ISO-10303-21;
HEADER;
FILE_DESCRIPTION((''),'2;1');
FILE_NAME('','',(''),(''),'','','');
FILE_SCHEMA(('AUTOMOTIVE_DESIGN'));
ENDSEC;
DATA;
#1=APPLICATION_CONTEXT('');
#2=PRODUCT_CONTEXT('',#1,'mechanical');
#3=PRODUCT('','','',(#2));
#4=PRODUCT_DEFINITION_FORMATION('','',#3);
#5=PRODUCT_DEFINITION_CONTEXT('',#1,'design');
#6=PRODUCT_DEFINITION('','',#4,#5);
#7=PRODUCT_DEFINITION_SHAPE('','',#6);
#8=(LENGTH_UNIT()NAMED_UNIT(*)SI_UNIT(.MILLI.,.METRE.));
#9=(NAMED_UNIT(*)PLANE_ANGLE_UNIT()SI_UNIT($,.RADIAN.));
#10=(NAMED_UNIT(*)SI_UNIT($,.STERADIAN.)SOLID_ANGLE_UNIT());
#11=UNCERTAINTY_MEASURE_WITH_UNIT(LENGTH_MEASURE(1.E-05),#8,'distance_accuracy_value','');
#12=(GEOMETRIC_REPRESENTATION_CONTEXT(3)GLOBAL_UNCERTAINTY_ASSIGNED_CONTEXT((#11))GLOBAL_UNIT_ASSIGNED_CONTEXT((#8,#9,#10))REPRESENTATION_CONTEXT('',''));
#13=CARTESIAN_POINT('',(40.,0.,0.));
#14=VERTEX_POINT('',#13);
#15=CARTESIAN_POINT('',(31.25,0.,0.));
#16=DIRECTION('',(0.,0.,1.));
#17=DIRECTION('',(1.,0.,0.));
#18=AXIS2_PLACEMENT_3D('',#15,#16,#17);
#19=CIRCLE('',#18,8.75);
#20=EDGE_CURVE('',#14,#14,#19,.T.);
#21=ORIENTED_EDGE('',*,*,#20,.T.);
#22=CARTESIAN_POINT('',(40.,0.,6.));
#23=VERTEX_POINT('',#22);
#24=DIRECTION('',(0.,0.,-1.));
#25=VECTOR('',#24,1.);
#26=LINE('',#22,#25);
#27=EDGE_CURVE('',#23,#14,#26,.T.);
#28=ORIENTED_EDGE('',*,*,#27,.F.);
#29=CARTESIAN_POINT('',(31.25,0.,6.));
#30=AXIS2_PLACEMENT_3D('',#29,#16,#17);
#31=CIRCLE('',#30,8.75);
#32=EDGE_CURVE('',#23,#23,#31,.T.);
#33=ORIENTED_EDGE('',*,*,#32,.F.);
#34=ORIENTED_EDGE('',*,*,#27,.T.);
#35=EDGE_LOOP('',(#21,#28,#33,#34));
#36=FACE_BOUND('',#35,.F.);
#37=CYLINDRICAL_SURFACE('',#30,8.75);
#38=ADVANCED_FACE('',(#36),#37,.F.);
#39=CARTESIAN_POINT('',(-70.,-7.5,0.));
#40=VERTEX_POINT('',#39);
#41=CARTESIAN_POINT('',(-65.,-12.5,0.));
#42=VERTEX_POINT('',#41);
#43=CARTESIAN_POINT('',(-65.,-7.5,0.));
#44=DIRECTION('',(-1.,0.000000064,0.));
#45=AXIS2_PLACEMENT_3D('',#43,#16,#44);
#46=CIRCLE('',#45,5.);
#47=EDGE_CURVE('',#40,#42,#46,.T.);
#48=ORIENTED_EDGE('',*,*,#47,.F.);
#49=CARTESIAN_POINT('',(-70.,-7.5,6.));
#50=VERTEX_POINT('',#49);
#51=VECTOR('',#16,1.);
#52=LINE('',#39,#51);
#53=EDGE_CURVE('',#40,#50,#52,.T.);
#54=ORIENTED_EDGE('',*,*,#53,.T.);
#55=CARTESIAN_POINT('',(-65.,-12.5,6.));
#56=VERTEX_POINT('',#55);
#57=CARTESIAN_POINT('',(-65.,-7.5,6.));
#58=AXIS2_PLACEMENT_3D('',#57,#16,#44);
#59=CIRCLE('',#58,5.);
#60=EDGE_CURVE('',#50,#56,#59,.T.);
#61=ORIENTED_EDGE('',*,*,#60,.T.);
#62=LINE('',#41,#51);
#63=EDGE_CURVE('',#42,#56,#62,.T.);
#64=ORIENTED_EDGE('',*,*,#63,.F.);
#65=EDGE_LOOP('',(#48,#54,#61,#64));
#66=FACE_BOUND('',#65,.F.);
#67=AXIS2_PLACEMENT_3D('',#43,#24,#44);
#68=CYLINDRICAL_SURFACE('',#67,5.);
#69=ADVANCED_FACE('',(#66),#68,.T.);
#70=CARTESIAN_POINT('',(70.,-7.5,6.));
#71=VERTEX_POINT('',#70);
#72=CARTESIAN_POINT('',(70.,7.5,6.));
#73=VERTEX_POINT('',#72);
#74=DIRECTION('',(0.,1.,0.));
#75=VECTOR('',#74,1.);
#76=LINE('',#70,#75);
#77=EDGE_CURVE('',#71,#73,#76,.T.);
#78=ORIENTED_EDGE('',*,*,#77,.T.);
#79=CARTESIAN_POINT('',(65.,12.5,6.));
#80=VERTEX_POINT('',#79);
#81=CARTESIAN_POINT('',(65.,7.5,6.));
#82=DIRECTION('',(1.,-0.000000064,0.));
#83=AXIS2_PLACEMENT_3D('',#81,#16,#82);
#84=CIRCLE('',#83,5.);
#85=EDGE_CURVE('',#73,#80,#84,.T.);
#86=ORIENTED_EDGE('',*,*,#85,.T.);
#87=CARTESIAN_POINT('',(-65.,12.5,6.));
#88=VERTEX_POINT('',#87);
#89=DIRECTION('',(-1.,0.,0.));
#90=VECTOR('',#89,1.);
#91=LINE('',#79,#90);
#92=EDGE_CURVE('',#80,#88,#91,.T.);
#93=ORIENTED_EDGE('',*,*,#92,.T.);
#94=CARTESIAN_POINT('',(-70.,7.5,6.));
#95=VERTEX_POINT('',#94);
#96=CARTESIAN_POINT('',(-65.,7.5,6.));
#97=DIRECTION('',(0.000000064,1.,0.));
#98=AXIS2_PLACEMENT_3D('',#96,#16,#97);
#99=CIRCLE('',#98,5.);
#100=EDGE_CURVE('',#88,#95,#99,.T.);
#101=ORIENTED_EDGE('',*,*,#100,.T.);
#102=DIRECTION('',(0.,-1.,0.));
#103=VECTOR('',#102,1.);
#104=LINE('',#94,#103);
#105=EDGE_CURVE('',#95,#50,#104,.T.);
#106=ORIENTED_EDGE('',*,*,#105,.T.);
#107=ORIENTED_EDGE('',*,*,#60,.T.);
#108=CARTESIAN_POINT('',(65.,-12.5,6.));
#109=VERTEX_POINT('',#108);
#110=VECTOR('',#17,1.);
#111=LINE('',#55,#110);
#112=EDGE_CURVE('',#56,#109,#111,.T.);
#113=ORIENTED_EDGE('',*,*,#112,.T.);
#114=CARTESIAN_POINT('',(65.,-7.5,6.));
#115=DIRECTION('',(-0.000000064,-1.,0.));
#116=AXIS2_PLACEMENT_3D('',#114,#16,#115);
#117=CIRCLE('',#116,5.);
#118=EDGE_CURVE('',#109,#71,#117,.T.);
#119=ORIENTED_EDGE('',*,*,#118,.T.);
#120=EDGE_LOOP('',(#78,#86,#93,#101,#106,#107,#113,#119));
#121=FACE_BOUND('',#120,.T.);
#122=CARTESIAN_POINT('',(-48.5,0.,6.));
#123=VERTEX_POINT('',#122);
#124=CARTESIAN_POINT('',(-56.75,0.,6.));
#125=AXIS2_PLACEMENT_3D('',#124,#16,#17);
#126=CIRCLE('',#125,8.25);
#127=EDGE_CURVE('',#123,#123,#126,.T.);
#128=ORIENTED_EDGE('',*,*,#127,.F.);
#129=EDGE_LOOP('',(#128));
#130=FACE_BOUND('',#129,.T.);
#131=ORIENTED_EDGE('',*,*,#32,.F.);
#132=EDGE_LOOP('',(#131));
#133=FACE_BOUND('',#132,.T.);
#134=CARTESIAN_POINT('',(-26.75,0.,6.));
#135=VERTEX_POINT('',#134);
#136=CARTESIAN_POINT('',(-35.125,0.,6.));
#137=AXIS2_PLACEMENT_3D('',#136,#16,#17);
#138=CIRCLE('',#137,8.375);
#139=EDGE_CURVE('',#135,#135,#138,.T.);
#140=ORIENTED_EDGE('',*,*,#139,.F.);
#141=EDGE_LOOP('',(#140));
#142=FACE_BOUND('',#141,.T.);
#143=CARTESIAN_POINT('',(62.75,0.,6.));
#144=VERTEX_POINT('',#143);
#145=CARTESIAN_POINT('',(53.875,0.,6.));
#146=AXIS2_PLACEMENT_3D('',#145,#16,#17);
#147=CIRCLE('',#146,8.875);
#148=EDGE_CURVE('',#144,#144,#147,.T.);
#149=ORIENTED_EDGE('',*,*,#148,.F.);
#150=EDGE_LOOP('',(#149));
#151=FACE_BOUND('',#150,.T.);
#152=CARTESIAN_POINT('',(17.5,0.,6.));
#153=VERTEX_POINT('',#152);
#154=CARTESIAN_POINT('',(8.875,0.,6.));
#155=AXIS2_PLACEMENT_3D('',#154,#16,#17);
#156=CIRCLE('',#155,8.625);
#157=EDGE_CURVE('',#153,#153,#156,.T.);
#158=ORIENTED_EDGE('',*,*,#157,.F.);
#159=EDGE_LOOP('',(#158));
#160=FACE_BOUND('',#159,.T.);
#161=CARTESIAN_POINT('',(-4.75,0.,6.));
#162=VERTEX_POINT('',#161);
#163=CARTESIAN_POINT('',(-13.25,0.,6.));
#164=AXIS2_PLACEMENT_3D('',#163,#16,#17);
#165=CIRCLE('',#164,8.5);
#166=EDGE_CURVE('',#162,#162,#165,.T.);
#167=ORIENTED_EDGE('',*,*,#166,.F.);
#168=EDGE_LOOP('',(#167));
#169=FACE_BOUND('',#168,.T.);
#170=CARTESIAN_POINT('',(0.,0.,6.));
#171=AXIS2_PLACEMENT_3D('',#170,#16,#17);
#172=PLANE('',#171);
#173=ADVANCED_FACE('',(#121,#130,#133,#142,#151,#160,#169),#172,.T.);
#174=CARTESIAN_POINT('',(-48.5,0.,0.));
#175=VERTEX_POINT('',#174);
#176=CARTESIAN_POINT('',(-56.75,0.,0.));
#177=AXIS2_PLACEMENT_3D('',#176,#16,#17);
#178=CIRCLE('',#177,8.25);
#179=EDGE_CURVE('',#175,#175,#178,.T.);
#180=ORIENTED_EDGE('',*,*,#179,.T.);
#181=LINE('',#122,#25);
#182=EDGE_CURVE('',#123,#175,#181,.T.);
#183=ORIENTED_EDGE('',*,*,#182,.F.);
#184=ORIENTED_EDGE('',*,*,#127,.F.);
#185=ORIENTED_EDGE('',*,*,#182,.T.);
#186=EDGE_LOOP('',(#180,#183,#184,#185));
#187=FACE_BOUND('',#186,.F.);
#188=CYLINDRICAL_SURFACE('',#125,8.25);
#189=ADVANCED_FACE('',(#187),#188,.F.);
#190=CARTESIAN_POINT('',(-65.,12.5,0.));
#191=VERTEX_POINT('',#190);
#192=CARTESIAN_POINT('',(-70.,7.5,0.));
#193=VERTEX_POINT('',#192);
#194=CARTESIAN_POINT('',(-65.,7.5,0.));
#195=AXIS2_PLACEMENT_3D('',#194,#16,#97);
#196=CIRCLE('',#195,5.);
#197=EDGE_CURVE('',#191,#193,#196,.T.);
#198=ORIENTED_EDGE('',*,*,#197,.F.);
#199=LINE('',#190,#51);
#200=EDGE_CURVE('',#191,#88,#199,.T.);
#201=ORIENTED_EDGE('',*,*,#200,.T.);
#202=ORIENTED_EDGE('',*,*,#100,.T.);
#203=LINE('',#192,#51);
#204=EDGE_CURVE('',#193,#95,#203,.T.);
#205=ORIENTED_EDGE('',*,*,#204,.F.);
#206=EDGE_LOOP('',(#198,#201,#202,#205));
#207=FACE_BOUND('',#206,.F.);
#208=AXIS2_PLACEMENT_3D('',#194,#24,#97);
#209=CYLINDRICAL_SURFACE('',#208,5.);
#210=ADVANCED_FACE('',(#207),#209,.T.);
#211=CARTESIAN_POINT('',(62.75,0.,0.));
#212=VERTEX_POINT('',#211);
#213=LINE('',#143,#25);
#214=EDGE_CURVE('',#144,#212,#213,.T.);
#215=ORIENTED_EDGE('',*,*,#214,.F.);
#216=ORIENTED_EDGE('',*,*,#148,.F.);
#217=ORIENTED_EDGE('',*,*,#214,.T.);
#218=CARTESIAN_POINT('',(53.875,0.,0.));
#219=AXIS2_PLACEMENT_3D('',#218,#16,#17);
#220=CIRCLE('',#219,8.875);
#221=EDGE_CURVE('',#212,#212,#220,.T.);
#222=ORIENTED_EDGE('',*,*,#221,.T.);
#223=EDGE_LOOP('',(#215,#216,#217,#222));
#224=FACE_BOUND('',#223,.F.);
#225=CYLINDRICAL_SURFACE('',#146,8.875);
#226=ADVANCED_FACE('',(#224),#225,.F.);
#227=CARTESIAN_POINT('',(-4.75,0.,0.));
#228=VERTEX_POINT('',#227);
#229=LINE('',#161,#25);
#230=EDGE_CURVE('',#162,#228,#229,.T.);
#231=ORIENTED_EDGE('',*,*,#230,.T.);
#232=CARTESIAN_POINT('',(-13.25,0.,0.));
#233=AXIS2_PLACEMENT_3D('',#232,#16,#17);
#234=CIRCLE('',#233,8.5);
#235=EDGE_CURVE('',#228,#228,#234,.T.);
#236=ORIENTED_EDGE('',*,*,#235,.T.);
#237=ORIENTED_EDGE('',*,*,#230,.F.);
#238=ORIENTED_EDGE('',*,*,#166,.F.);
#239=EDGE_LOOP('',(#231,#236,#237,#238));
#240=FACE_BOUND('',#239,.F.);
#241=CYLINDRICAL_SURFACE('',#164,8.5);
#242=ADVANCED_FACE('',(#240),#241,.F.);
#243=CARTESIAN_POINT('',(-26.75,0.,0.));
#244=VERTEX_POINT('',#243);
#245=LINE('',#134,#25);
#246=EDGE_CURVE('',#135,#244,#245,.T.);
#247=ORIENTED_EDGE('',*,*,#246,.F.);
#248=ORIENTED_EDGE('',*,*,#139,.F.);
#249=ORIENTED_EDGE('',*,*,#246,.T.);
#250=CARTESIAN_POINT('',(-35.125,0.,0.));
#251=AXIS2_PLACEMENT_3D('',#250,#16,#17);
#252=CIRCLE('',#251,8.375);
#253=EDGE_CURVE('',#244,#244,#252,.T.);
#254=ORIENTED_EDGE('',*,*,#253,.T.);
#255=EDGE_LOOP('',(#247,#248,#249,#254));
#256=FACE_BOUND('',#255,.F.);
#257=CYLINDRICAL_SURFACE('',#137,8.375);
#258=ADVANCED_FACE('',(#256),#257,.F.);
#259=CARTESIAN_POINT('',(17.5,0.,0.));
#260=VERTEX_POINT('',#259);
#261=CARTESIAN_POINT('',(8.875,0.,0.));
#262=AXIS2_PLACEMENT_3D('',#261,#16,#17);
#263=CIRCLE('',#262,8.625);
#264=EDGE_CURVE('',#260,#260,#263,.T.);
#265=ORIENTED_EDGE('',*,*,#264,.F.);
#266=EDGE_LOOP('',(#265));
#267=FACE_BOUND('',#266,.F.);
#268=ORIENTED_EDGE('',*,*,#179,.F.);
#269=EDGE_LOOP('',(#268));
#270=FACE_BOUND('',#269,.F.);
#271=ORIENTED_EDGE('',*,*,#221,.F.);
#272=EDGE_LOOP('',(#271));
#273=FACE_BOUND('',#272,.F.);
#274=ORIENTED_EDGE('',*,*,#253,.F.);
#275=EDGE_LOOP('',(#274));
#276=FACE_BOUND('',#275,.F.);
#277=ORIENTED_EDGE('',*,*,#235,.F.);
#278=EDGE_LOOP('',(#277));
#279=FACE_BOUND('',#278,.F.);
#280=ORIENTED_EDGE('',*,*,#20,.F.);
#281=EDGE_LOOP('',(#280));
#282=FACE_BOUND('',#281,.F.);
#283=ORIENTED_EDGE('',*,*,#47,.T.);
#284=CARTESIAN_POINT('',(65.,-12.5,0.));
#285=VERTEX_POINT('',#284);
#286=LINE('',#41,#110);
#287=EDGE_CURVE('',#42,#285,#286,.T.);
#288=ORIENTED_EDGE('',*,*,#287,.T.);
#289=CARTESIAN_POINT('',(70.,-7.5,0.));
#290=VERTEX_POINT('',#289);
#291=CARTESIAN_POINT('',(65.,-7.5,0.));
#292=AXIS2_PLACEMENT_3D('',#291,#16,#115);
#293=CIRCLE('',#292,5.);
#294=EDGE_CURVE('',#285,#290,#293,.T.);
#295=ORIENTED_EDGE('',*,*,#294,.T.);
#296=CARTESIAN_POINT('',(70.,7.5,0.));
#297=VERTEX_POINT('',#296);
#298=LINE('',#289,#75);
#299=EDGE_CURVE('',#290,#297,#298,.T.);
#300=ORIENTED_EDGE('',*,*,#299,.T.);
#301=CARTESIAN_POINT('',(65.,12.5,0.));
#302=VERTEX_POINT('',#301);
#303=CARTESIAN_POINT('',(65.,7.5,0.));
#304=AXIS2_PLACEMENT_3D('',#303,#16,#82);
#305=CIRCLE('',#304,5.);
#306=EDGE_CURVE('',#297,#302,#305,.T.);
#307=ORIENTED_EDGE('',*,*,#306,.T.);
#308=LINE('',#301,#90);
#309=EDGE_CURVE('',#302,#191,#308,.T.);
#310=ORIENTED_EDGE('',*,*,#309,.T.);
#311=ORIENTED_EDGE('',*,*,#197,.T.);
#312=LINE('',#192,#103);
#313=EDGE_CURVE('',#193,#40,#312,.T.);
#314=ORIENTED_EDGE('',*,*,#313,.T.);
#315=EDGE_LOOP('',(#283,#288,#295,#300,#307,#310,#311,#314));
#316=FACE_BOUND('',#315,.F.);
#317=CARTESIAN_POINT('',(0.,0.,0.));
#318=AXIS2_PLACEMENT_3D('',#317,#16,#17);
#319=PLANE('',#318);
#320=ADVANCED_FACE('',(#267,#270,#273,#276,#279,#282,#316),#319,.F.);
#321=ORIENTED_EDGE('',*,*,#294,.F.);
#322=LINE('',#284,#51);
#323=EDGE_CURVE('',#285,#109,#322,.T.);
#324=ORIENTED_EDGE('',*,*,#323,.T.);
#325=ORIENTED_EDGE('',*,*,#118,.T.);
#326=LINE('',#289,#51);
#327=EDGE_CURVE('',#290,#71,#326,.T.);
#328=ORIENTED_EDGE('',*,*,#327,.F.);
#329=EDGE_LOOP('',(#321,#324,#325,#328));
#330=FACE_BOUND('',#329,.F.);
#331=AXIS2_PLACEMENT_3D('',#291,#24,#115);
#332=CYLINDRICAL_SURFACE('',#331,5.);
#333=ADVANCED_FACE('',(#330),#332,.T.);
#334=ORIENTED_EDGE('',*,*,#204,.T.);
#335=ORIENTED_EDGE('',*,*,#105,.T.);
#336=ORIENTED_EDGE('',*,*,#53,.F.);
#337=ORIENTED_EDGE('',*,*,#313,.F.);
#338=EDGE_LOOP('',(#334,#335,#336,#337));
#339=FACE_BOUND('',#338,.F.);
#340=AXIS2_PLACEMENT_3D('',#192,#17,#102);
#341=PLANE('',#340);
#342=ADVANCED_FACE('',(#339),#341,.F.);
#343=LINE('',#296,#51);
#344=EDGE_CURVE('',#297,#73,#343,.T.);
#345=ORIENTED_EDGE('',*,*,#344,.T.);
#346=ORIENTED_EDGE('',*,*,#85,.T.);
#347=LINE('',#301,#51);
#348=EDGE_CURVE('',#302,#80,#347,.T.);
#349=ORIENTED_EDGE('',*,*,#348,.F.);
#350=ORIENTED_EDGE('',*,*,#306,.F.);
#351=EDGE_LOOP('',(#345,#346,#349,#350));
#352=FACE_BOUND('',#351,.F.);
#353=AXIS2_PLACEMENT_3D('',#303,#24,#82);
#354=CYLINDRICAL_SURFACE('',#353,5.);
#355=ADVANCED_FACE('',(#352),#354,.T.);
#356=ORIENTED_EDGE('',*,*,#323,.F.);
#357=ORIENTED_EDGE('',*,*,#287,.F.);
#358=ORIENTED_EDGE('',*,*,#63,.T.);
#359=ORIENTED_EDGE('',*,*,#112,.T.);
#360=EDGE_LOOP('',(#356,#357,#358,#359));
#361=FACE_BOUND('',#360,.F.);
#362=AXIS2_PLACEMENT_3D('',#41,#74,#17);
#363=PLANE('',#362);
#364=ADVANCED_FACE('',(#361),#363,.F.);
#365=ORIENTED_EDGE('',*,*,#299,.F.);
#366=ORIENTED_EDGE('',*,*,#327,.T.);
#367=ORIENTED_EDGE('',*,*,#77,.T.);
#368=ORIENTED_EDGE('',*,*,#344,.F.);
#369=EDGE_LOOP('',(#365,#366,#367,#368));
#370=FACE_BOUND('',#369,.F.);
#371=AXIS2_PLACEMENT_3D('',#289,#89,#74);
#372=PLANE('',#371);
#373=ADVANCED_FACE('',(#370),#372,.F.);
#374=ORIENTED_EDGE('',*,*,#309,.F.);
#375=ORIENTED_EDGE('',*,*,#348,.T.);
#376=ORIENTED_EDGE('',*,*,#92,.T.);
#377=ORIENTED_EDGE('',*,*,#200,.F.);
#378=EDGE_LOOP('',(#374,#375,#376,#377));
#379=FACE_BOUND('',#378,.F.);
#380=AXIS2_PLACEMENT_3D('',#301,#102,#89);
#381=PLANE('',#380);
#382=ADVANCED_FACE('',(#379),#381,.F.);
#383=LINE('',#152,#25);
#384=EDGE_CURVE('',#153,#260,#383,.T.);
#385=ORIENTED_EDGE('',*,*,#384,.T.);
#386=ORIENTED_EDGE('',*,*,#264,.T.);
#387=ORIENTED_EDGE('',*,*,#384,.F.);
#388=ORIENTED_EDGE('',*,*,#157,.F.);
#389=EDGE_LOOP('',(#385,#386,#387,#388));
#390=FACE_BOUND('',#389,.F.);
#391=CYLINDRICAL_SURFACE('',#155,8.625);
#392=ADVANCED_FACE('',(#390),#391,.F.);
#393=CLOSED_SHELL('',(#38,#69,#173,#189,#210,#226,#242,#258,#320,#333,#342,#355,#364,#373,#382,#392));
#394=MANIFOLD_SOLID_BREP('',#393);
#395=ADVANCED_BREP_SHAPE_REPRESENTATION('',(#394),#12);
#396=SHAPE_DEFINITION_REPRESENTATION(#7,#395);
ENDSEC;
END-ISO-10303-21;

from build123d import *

# Parameters (mm, degrees)
F1_DEPTH = 6
F2_R     = 8.25
F2_R_2   = 8.375
F2_R_3   = 8.5
F2_R_4   = 8.625
F2_R_5   = 8.75
F2_R_6   = 8.875
F3_DEPTH = 6.001


with BuildPart() as f1:
    # F0 (on Top) → F1 (new body)
    with BuildSketch(Plane.XY):
        with BuildLine():
            Line((65, 12.5), (-65, 12.5))
            ThreePointArc((-65, 12.5), (-68.535534, 11.035534), (-70, 7.5))
            Line((-70, 7.5), (-70, -7.5))
            ThreePointArc((-70, -7.5), (-68.535534, -11.035534), (-65, -12.5))
            Line((-65, -12.5), (65, -12.5))
            ThreePointArc((65, -12.5), (68.535534, -11.035534), (70, -7.5))
            Line((70, -7.5), (70, 7.5))
            ThreePointArc((70, 7.5), (68.535534, 11.035534), (65, 12.5))
        make_face()
    extrude(amount=F1_DEPTH)

    # F2 (on face) → F3 (cut, through all)
    with BuildSketch(Plane.XY.offset(6)):
        with Locations((-56.75, 0)):
            Circle(F2_R)
        with Locations((-35.125, 0)):
            Circle(F2_R_2)
        with Locations((-13.25, 0)):
            Circle(F2_R_3)
        with Locations((8.875, 0)):
            Circle(F2_R_4)
        with Locations((31.25, 0)):
            Circle(F2_R_5)
        with Locations((53.875, 0)):
            Circle(F2_R_6)
    extrude(amount=-F3_DEPTH, mode=Mode.SUBTRACT)


solid = f1.part
